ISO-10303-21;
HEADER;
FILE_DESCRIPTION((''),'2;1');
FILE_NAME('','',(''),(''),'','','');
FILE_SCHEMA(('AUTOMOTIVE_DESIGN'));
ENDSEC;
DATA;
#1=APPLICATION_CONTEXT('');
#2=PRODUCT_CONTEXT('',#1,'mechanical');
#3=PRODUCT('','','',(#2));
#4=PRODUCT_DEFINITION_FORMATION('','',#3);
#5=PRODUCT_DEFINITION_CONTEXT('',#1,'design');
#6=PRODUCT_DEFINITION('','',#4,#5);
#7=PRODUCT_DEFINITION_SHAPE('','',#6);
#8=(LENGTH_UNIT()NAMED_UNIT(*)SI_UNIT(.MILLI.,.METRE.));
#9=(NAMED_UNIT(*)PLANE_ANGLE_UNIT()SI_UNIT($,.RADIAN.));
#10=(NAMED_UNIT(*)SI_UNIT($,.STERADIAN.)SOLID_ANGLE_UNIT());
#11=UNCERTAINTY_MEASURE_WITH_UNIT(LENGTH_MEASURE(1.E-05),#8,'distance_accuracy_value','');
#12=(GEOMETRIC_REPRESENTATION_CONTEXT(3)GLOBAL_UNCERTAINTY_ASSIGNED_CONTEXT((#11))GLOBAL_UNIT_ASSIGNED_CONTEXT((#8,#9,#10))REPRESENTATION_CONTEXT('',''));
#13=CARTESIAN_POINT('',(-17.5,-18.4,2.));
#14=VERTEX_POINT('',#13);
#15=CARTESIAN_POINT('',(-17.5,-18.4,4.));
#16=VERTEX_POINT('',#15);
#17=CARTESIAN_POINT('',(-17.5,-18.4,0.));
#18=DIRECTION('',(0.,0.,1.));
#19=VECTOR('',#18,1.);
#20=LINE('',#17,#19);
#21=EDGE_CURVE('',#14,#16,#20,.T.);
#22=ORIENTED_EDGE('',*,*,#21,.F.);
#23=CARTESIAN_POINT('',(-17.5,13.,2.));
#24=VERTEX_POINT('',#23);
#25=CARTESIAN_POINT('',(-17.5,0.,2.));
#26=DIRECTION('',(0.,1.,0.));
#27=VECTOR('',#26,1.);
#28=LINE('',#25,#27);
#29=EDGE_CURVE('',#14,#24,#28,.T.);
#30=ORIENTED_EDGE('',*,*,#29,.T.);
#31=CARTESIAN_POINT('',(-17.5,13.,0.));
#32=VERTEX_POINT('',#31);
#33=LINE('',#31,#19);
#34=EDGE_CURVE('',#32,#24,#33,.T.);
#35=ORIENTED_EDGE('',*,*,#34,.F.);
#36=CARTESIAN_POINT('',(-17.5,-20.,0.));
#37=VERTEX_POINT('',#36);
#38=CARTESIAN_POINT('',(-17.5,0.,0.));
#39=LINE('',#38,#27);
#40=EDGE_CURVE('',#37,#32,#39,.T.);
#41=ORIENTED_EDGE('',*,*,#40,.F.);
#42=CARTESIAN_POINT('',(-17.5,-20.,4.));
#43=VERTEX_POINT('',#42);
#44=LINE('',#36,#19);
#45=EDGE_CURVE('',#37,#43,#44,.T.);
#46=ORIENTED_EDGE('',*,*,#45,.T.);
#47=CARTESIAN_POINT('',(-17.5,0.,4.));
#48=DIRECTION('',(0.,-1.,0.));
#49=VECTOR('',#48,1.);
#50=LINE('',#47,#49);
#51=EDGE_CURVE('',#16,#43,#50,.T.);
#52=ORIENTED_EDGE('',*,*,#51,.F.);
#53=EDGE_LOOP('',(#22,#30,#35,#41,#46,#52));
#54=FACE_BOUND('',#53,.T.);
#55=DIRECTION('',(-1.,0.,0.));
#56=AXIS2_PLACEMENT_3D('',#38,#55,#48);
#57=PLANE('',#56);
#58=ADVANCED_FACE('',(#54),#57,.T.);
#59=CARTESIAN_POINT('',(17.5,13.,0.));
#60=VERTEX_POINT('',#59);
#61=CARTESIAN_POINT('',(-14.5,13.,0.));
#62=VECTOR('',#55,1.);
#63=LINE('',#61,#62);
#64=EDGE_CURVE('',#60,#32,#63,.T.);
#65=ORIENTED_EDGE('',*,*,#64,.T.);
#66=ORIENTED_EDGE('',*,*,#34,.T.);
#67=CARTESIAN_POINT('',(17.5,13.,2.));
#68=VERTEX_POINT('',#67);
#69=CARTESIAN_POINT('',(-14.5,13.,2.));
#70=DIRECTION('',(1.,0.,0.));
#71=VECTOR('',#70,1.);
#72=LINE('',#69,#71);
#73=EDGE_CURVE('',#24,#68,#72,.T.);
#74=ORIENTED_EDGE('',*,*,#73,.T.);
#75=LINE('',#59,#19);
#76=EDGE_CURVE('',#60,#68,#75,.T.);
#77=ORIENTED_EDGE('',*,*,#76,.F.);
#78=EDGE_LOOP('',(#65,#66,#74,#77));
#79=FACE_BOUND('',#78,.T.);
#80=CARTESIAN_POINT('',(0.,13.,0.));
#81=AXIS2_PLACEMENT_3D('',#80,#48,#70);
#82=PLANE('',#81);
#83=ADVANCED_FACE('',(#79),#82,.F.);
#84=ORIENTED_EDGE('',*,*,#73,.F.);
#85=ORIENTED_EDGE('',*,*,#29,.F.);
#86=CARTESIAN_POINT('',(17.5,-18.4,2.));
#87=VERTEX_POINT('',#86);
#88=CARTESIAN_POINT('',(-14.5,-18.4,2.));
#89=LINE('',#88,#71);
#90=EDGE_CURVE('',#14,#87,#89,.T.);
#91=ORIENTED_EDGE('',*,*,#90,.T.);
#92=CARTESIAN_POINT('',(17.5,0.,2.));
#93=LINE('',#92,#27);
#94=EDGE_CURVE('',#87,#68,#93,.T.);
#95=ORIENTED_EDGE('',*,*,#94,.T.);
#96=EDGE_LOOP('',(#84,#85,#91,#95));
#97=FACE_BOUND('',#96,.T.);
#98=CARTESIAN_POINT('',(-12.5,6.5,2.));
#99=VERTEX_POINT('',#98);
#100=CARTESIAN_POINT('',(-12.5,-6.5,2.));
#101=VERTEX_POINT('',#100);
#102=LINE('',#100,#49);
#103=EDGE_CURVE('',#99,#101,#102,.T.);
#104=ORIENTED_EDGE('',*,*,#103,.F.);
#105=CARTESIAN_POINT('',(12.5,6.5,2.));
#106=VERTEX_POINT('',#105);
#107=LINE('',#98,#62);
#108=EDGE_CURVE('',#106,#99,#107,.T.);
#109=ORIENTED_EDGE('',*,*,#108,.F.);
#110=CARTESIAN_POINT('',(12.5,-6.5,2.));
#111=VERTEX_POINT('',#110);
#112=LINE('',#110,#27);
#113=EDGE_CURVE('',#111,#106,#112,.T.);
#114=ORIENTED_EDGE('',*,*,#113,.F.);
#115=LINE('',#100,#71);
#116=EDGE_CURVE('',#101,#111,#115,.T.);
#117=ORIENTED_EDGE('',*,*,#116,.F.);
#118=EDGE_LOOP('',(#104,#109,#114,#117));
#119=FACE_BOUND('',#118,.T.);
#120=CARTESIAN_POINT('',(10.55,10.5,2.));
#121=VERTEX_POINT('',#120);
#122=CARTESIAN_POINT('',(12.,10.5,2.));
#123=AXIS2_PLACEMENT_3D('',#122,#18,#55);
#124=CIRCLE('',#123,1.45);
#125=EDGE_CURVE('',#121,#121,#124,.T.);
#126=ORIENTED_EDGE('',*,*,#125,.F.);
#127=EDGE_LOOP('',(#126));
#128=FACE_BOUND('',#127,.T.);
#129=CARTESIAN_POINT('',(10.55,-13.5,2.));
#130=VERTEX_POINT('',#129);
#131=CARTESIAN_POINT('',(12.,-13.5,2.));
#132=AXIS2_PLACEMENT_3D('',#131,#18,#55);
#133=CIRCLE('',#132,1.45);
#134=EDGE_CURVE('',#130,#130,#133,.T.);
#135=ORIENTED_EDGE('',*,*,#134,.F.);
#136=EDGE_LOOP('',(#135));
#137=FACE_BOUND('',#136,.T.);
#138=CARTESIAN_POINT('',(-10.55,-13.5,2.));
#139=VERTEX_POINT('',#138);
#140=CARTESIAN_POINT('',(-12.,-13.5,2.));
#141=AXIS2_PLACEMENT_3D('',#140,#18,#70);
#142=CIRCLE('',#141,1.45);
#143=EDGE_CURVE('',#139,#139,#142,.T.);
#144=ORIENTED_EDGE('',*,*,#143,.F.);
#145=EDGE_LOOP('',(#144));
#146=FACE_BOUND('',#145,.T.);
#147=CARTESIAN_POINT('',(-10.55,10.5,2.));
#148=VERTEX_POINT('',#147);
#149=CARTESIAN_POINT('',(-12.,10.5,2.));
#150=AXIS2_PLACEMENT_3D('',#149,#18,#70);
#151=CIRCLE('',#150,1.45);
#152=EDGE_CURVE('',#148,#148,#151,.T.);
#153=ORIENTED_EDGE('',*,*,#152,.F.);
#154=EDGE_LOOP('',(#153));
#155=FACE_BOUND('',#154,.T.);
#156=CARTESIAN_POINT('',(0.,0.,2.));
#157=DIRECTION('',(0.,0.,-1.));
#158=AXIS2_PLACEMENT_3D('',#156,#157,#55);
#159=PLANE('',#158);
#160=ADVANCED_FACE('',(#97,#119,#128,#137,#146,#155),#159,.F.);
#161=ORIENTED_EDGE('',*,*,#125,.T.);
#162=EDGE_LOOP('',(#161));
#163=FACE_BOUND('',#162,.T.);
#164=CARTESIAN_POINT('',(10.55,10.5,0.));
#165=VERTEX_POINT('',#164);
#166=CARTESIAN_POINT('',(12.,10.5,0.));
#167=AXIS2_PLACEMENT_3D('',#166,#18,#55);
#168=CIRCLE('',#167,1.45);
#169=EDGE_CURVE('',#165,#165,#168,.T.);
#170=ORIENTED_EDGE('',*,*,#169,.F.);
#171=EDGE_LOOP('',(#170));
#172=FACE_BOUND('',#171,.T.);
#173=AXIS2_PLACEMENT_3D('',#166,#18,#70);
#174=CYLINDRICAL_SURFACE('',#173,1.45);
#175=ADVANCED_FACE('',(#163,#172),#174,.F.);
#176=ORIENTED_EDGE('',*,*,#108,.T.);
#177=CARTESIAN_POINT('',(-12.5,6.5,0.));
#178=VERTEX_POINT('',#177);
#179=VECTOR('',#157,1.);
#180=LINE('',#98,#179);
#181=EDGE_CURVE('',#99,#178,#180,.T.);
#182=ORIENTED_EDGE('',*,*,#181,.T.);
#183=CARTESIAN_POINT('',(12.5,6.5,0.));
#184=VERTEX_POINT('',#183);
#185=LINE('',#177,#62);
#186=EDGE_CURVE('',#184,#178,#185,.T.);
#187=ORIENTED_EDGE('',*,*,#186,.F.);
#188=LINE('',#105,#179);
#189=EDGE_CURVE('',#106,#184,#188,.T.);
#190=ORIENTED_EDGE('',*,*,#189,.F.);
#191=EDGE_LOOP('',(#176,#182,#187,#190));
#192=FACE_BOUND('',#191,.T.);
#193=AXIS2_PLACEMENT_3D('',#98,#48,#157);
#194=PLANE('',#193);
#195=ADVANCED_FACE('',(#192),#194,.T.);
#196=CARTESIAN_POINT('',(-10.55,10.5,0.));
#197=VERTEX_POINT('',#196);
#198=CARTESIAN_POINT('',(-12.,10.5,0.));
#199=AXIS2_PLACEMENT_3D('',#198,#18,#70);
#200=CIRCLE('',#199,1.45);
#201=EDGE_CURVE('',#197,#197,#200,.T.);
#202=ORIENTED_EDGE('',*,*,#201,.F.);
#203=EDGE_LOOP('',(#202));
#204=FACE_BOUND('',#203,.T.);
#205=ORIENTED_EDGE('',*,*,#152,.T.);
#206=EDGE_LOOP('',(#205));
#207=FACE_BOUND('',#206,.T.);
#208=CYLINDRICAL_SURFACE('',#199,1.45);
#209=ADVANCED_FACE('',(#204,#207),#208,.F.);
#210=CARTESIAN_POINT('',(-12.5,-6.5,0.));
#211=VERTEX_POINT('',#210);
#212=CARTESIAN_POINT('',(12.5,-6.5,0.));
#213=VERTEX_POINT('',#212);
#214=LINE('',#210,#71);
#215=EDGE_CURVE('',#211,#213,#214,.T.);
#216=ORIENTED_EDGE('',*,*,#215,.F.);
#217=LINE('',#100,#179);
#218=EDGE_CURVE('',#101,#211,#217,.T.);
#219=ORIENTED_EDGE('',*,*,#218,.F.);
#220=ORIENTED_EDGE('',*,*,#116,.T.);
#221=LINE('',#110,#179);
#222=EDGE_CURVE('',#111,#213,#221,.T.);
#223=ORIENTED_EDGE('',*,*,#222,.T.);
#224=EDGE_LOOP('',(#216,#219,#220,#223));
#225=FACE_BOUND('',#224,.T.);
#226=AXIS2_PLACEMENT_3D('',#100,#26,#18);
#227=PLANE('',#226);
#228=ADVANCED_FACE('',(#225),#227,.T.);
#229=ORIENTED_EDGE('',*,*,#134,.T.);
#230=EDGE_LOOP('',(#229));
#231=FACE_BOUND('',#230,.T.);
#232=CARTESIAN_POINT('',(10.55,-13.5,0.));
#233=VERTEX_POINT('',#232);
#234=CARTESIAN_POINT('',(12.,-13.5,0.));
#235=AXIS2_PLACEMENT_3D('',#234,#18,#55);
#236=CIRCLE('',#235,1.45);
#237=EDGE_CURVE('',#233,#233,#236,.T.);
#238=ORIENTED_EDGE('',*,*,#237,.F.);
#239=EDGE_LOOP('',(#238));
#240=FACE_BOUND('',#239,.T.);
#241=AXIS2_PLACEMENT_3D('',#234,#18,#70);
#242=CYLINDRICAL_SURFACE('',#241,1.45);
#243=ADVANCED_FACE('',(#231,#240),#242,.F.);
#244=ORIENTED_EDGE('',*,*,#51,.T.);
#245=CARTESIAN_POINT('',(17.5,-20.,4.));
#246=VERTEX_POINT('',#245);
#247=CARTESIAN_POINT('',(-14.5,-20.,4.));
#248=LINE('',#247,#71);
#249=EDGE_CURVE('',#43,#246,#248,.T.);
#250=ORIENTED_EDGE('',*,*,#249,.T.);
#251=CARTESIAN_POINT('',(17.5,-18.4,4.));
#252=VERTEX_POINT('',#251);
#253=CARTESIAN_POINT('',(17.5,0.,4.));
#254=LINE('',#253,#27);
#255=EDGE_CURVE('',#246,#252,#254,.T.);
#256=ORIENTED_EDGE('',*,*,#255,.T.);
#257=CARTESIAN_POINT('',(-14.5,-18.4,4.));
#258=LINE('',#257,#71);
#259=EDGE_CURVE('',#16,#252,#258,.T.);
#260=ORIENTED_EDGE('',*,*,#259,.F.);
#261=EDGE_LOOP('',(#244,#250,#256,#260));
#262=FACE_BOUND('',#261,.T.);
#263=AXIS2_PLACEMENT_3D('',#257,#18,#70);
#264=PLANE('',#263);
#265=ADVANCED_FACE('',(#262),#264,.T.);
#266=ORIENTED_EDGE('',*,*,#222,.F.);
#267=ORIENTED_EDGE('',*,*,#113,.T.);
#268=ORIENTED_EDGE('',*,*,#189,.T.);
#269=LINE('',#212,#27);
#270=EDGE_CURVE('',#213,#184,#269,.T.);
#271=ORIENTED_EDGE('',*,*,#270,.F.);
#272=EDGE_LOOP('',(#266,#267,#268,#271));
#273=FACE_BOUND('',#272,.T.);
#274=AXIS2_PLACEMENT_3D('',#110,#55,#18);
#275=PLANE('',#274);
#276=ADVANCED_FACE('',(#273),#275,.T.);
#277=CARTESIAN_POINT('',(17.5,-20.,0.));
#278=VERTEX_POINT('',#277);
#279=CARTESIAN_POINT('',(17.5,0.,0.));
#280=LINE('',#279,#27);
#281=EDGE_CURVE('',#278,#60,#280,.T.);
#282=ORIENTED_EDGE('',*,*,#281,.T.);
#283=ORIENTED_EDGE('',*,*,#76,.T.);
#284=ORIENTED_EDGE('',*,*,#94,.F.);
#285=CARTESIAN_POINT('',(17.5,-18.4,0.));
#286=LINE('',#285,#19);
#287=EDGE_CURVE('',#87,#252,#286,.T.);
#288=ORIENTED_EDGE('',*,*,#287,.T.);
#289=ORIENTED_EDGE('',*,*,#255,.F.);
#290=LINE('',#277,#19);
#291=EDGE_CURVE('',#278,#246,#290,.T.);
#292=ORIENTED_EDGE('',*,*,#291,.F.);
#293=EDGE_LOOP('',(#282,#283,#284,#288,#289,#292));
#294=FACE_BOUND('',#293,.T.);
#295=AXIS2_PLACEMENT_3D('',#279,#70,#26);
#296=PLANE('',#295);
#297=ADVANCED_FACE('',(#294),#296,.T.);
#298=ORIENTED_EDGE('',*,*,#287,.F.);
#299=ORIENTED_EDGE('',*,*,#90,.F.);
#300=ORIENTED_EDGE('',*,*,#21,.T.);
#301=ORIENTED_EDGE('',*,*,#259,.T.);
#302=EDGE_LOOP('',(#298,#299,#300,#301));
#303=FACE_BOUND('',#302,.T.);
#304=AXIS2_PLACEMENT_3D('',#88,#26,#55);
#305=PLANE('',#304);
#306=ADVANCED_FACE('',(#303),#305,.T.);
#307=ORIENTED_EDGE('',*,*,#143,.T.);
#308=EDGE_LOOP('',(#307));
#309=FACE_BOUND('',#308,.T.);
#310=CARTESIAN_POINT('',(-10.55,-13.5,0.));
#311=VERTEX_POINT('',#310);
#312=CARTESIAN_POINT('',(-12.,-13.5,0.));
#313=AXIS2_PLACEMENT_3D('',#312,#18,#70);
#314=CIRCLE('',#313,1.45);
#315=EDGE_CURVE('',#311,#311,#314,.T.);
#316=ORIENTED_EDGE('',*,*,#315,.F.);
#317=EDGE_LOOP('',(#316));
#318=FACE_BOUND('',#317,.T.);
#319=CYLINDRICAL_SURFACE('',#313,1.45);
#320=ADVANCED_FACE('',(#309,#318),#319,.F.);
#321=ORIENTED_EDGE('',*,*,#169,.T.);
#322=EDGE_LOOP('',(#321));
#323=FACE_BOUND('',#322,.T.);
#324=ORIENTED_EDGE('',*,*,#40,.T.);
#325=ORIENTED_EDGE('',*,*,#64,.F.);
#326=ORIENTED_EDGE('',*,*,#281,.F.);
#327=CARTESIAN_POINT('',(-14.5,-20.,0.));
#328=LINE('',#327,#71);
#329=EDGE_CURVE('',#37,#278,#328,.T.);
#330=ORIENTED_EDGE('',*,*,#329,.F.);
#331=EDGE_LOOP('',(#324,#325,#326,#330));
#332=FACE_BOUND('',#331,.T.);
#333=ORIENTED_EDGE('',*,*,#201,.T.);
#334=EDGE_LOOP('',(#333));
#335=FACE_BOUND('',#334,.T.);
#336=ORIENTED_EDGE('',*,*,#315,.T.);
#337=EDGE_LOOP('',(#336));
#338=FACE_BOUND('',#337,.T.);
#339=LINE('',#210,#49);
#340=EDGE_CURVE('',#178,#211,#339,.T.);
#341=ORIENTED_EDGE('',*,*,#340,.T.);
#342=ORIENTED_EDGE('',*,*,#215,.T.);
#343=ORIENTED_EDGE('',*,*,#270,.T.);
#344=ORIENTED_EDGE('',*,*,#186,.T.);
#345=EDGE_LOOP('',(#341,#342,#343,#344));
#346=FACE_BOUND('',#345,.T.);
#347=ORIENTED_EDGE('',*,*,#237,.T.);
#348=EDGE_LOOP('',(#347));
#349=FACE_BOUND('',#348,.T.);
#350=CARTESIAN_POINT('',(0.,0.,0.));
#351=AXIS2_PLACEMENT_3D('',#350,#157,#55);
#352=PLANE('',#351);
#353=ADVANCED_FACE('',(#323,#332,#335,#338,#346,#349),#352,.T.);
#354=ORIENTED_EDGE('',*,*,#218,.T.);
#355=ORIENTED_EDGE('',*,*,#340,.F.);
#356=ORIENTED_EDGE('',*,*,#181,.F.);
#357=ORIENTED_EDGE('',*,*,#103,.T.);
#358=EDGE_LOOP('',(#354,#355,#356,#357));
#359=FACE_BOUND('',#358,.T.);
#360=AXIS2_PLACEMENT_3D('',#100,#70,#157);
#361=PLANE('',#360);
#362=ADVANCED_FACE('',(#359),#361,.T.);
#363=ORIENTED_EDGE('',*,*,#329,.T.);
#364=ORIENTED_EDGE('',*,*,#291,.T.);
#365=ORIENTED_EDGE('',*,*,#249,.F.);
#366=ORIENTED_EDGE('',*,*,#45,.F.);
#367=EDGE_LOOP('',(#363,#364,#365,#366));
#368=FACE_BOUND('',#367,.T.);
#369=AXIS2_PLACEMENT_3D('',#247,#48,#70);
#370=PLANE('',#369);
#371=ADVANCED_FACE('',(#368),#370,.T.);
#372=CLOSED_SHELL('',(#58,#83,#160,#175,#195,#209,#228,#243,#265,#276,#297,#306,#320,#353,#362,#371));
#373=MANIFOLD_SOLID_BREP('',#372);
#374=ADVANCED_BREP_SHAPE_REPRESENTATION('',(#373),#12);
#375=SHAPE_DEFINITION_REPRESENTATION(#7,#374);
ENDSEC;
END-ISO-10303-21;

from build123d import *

# Parameters (mm, degrees)
SKETCH1_W           = 29
SKETCH1_H           = 28
SKETCH1_W_2         = 25
SKETCH1_H_2         = 13
BOSS_EXTRUDE1_DEPTH = 2
SKETCH2_R           = 1.45
CUT_EXTRUDE1_DEPTH  = 3
BOSS_EXTRUDE2_DEPTH = 29
SKETCH5_W           = 29
SKETCH5_H           = 2
BOSS_EXTRUDE3_DEPTH = 1
SKETCH6_W           = 2
SKETCH6_H           = 33
SKETCH6_H_2         = 1.6
BOSS_EXTRUDE4_DEPTH = 3
SKETCH7_W           = 2
SKETCH7_H           = 33
SKETCH7_H_2         = 1.6
BOSS_EXTRUDE5_DEPTH = 3


with BuildPart() as part:
    # Sketch1 → Boss-Extrude1 (new body)
    with BuildSketch(Plane.XY):
        with Locations((0, -2)):
            Rectangle(SKETCH1_W, SKETCH1_H)
        Rectangle(SKETCH1_W_2, SKETCH1_H_2, mode=Mode.SUBTRACT)
    extrude(amount=BOSS_EXTRUDE1_DEPTH)

    # Sketch2 → Cut-Extrude1 (cut, through all)
    with BuildSketch(Plane.XY.offset(2)):
        with Locations((-12, 10.5)):
            Circle(SKETCH2_R)
        with Locations((-12, -13.5)):
            Circle(SKETCH2_R)
        with Locations((12, -13.5)):
            Circle(SKETCH2_R)
        with Locations((12, 10.5)):
            Circle(SKETCH2_R)
    extrude(amount=-CUT_EXTRUDE1_DEPTH, mode=Mode.SUBTRACT)

    # Sketch3 → Boss-Extrude2 (add, through all)
    with BuildSketch(Plane(origin=(14.5, 0, 0), x_dir=(0, 0, -1), z_dir=(1, 0, 0))):
        Polygon((-4, -20), (0, -20), (0, -18.4), (0, -16), (-2, -16), (-2, -18.4), (-4, -18.4), align=None)
    extrude(amount=-BOSS_EXTRUDE2_DEPTH)

    # Sketch5 → Boss-Extrude3 (add)
    with BuildSketch(Plane(origin=(0, 12, 0), x_dir=(1, 0, 0), z_dir=(0, 1, 0))):
        with Locations((0, -1)):
            Rectangle(SKETCH5_W, SKETCH5_H)
    extrude(amount=BOSS_EXTRUDE3_DEPTH)

    # Sketch6 → Boss-Extrude4 (add)
    with BuildSketch(Plane.ZY.offset(14.5)):
        with Locations((1, -3.5)):
            Rectangle(SKETCH6_W, SKETCH6_H)
        with Locations((3, -19.2)):
            Rectangle(SKETCH6_W, SKETCH6_H_2)
    extrude(amount=BOSS_EXTRUDE4_DEPTH)

    # Sketch7 → Boss-Extrude5 (add)
    with BuildSketch(Plane(origin=(14.5, 0, 0), x_dir=(0, 0, -1), z_dir=(1, 0, 0))):
        with Locations((-1, -3.5)):
            Rectangle(SKETCH7_W, SKETCH7_H)
        with Locations((-3, -19.2)):
            Rectangle(SKETCH7_W, SKETCH7_H_2)
    extrude(amount=BOSS_EXTRUDE5_DEPTH)


solid = part.part
